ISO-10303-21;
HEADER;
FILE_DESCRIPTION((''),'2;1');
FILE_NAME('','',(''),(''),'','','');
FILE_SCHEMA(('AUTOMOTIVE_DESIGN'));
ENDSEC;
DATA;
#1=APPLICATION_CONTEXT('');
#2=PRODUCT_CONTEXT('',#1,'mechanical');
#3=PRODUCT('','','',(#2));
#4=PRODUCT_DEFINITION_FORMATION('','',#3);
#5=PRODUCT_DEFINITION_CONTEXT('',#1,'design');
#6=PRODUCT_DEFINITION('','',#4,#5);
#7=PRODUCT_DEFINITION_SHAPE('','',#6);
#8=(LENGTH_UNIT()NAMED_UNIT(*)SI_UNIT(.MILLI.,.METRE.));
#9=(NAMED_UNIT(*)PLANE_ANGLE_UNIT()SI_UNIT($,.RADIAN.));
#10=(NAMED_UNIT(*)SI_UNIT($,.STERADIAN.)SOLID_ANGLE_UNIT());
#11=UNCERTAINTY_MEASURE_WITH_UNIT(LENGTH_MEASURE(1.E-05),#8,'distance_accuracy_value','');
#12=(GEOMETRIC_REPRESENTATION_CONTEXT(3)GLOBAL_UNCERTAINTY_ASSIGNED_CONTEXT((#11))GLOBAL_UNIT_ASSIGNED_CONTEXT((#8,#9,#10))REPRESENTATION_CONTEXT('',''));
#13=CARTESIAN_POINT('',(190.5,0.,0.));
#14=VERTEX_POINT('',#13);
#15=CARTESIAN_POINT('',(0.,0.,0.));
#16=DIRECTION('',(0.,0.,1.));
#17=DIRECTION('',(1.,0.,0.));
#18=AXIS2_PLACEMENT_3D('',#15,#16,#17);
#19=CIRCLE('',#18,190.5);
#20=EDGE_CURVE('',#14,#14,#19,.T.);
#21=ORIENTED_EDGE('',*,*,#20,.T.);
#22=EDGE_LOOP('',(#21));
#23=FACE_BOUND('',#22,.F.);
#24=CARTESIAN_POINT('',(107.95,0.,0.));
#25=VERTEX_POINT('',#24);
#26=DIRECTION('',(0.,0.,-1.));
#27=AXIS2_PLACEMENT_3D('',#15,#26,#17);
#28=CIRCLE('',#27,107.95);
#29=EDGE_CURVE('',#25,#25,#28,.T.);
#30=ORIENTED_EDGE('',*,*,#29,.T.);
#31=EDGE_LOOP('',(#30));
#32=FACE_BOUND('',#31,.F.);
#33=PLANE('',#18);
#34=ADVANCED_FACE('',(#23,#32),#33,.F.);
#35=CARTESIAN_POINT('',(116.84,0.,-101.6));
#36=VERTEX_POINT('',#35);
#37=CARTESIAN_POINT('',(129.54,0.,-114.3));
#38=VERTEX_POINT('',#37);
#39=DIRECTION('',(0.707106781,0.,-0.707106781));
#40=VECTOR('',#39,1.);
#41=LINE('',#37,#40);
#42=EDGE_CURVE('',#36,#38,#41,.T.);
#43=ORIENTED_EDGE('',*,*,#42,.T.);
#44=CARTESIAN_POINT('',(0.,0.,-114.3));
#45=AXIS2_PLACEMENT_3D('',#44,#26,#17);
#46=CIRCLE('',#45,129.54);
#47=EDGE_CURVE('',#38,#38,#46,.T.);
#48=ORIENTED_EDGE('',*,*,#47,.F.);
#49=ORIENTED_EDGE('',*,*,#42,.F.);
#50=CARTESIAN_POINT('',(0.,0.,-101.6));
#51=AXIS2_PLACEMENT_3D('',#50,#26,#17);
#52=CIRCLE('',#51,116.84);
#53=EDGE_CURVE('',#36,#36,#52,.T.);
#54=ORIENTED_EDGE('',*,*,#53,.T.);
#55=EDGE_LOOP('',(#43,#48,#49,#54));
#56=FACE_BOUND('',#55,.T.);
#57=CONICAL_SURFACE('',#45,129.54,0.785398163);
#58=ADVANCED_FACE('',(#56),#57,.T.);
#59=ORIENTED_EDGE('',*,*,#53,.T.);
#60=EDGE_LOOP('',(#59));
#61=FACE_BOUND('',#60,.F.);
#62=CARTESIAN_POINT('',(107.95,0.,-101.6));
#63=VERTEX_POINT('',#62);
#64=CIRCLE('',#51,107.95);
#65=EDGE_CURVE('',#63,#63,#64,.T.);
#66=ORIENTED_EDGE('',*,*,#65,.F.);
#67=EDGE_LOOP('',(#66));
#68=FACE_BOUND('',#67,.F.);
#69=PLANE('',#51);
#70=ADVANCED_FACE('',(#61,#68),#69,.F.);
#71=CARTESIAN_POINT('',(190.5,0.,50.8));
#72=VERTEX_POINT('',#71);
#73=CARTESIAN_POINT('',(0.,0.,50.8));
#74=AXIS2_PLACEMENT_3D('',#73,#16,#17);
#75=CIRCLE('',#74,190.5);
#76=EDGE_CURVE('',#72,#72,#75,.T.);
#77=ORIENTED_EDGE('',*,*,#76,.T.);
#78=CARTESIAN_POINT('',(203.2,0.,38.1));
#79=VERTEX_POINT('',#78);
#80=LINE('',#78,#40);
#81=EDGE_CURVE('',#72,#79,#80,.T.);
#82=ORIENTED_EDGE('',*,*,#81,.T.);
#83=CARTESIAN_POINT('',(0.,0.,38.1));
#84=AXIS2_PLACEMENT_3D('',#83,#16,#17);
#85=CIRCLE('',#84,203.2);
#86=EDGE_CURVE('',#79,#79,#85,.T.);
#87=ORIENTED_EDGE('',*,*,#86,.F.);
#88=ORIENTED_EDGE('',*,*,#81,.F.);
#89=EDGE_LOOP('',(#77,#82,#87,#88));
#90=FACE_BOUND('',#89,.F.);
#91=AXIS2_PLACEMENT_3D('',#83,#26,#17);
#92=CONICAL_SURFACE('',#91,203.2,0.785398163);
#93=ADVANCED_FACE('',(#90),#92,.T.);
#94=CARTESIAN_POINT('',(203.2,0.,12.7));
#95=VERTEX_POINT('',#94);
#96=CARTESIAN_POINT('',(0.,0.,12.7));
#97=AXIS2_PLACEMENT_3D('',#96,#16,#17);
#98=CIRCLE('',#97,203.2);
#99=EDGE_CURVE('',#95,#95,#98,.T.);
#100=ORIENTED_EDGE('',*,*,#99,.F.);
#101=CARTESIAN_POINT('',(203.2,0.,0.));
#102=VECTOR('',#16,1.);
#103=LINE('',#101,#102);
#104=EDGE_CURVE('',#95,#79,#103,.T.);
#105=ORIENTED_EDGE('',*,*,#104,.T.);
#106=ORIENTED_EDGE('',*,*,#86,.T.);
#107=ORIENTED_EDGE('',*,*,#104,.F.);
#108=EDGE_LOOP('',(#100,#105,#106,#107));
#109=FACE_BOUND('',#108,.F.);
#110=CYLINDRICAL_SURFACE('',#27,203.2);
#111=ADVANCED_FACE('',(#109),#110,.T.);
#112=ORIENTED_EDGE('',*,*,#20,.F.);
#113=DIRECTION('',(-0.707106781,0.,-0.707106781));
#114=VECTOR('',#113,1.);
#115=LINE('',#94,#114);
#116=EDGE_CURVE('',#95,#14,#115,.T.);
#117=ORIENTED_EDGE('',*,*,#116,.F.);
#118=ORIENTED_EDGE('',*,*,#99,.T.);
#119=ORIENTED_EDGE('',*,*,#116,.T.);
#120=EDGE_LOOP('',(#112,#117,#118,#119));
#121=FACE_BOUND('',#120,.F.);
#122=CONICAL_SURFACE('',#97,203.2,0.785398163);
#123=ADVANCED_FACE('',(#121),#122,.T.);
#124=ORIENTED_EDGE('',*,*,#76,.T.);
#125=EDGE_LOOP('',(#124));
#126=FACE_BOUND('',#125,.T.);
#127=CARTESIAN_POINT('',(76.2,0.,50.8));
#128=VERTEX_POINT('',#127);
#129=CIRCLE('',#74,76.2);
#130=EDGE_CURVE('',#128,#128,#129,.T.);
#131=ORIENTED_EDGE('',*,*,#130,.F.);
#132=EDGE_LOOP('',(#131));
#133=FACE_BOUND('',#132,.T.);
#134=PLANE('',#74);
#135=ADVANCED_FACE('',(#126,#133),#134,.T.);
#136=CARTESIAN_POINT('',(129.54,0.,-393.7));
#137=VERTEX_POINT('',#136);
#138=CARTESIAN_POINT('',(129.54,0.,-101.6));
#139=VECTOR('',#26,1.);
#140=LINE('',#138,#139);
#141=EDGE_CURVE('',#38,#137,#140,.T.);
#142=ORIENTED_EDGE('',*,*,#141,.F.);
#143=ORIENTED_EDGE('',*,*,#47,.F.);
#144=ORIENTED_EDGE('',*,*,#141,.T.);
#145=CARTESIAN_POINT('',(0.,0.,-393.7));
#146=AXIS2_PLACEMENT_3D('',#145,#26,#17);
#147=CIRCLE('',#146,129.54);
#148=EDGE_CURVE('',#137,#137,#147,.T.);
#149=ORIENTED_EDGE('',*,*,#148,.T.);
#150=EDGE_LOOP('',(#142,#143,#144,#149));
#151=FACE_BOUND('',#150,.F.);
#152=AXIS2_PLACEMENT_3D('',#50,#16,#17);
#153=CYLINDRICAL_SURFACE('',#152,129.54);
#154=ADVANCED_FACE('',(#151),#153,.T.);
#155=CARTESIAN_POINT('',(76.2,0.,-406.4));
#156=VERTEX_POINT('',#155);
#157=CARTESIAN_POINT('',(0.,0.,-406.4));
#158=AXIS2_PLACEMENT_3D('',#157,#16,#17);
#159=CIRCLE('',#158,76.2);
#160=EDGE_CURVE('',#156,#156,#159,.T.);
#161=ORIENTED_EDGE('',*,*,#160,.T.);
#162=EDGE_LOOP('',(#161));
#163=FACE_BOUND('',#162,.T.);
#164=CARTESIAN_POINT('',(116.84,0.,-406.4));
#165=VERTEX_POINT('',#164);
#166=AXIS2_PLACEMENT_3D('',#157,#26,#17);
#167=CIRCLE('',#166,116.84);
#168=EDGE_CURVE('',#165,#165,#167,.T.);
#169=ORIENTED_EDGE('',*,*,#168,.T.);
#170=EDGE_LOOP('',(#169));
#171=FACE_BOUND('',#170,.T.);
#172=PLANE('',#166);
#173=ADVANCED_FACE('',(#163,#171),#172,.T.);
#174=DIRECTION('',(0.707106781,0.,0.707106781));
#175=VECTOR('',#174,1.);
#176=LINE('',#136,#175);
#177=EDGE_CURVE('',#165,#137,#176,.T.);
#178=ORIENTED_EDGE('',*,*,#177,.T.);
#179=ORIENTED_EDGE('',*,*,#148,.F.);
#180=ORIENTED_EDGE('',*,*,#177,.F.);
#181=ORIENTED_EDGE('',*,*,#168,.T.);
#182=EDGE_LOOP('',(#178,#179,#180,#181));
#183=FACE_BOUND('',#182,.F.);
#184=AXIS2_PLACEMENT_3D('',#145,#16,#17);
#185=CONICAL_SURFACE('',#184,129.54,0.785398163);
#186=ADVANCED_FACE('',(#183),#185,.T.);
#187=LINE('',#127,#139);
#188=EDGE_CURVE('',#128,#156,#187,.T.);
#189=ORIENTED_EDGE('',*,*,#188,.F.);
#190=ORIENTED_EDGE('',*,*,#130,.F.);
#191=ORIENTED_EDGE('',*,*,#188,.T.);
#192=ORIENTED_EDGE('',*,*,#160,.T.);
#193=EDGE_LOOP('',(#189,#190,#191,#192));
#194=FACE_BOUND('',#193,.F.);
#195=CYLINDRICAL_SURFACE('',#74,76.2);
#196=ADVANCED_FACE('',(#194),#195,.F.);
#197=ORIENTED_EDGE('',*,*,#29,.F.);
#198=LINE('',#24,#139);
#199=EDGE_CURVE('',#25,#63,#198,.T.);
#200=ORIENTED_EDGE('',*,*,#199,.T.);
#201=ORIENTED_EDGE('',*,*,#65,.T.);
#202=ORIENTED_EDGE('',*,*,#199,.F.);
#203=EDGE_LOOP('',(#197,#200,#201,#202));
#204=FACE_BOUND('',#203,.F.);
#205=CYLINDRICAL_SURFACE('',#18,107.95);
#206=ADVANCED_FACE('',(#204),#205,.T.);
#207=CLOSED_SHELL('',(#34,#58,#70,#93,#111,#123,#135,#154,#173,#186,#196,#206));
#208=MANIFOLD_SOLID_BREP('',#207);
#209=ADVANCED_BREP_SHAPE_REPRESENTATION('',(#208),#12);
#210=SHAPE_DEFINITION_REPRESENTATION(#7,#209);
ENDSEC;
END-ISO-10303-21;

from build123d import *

# Parameters (mm, degrees)
F0_R     = 203.2
F1_DEPTH = 50.8
F2_R     = 107.95
F3_DEPTH = 101.6
F4_R     = 129.54
F5_DEPTH = 304.8
F6_R     = 76.2
F7_DEPTH = 457.2
F8_SIZE  = 12.7
F9_SIZE  = 12.7
F10_SIZE = 12.7


with BuildPart() as f1:
    # F0 (on Top) → F1 (new body)
    with BuildSketch(Plane.XY):
        Circle(F0_R)
    extrude(amount=F1_DEPTH)

    # F2 (on face) → F3 (join)
    with BuildSketch(Plane(origin=(0, 0, 0), x_dir=(1, 0, 0), z_dir=(0, 0, -1))):
        Circle(F2_R)
    extrude(amount=F3_DEPTH)

    # F4 (on face) → F5 (join)
    with BuildSketch(Plane(origin=(0, 0, -101.6), x_dir=(1, 0, 0), z_dir=(0, 0, -1))):
        Circle(F4_R)
    extrude(amount=F5_DEPTH)

    # F6 (on face) → F7 (cut)
    with BuildSketch(Plane.XY.offset(50.8)):
        Circle(F6_R)
    extrude(amount=-F7_DEPTH, mode=Mode.SUBTRACT)

    # F8
    f8_edges = [f1.edges().sort_by_distance(p)[0] for p in [
        (-203.2, 0, 50.8),
    ]]
    chamfer(f8_edges, length=F8_SIZE)

    # F9
    f9_edges = [f1.edges().sort_by_distance(p)[0] for p in [
        (-203.2, 0, 0),
    ]]
    chamfer(f9_edges, length=F9_SIZE)

    # F10
    f10_edges = [f1.edges().sort_by_distance(p)[0] for p in [
        (-129.54, 0, -101.6),
        (-129.54, 0, -406.4),
    ]]
    chamfer(f10_edges, length=F10_SIZE)


solid = f1.part
